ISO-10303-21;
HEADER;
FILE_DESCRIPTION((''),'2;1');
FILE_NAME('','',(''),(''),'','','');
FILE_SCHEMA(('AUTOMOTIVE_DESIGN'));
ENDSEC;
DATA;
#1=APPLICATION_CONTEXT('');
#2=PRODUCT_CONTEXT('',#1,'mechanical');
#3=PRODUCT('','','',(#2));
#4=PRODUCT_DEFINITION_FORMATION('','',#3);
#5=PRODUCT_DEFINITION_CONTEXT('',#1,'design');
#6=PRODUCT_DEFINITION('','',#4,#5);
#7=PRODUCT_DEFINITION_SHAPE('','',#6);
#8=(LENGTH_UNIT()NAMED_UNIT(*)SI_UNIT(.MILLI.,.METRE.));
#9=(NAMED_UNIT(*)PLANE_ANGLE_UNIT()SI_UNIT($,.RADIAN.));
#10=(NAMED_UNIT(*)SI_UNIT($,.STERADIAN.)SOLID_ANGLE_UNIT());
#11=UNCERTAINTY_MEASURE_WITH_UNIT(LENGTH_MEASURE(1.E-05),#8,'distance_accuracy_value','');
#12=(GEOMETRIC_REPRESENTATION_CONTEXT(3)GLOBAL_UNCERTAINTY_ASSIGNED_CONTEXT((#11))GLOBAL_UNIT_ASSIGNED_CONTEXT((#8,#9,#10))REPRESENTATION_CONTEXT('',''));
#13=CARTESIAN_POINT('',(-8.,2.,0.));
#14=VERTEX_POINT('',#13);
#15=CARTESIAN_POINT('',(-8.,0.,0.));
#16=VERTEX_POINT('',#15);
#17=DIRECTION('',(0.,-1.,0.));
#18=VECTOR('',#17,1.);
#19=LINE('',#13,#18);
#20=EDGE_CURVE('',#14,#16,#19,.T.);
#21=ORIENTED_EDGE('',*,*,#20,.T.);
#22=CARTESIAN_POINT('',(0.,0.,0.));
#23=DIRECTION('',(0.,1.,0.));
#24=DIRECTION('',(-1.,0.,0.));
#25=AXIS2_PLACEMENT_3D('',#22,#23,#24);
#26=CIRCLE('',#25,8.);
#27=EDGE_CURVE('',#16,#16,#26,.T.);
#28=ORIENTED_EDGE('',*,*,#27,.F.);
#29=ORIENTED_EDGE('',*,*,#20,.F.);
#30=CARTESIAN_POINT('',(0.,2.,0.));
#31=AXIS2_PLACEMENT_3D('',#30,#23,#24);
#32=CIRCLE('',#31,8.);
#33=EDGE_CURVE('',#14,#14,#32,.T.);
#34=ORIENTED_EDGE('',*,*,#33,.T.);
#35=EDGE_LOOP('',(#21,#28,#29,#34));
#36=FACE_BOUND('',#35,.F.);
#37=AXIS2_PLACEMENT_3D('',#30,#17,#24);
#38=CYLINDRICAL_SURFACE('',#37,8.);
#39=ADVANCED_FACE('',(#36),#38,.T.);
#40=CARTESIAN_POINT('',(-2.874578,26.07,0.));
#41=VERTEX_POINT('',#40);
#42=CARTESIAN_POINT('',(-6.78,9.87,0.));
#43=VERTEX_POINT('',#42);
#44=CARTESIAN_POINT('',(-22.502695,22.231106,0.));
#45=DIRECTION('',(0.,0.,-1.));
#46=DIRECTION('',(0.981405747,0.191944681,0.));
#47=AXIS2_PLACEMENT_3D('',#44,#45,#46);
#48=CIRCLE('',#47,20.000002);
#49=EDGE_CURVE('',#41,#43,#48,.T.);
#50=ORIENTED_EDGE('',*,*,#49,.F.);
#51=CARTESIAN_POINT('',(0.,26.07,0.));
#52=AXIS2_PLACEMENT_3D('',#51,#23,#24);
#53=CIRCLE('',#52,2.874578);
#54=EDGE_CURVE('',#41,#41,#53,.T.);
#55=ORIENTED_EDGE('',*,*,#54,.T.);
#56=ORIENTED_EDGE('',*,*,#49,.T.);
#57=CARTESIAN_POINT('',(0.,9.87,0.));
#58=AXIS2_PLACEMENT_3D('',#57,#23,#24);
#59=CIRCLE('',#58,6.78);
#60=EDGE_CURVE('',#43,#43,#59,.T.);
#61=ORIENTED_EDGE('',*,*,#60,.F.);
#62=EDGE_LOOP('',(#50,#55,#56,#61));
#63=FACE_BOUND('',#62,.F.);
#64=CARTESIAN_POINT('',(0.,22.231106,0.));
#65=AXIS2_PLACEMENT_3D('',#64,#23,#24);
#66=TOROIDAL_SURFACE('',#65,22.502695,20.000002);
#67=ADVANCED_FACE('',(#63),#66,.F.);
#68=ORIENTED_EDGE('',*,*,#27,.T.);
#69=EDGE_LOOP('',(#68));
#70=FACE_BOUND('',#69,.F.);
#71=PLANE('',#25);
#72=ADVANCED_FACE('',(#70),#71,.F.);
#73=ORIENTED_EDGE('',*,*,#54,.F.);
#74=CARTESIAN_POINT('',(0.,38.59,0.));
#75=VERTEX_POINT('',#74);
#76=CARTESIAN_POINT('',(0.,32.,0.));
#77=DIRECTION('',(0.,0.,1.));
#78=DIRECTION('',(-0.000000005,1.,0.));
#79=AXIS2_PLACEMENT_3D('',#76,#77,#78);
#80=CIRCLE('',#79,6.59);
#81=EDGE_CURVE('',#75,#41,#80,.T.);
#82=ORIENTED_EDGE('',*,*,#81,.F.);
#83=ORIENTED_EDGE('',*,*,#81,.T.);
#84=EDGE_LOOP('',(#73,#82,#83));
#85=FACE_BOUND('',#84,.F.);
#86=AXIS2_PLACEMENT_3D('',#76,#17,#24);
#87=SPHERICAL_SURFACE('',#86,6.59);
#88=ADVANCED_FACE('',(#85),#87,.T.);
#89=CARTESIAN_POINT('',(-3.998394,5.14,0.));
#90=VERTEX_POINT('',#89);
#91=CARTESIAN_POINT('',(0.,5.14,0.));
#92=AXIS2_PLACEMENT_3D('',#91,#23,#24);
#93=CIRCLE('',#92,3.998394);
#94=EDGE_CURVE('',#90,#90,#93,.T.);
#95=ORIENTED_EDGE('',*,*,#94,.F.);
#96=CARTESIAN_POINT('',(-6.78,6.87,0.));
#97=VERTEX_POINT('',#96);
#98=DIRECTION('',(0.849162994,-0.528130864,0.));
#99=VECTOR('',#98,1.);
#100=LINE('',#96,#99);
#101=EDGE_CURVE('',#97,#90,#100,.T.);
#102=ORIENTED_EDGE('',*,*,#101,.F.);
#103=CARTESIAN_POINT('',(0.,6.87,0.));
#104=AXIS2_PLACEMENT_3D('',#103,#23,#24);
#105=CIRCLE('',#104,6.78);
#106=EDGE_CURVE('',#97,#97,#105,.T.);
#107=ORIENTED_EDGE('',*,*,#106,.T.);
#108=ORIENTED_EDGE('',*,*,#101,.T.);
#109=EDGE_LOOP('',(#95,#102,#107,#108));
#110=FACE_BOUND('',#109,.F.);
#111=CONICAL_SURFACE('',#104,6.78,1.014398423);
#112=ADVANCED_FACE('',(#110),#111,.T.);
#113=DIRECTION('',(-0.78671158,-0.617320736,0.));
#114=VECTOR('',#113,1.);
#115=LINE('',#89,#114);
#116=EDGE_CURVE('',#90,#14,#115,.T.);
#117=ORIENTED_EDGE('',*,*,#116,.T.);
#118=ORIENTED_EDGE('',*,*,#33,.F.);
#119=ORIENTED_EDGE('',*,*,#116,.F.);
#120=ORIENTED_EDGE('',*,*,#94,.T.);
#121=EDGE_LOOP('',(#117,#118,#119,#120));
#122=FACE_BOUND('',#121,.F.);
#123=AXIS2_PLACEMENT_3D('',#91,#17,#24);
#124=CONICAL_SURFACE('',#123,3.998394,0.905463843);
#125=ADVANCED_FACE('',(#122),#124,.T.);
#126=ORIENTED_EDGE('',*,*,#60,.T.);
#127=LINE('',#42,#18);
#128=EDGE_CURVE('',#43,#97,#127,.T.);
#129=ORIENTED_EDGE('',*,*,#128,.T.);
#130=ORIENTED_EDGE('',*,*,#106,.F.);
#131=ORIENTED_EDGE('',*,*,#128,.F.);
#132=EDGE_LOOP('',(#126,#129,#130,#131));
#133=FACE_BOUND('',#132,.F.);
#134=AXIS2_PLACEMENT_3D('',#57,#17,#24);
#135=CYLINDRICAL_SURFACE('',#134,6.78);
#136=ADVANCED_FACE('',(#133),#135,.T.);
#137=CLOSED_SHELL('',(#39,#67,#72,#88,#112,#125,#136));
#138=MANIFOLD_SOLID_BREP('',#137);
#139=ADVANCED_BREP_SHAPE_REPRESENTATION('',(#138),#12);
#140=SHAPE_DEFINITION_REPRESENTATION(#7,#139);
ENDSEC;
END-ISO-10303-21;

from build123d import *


with BuildPart() as f1:
    # F0 (on Top) → F1 (revolve)
    with BuildSketch(Plane.XY):
        with BuildLine():
            Line((-2.874578, 26.07), (0, 26.07))
            Line((0, 26.07), (0, 32))
            Line((0, 32), (0, 38.59))
            ThreePointArc((0, 38.59), (-6.422881, 33.474686), (-2.874578, 26.07))
        make_face()
        with BuildLine():
            Line((-8, 0), (0, 0))
            Line((0, 0), (0, 26.07))
            Line((0, 26.07), (-2.874578, 26.07))
            ThreePointArc((-2.874578, 26.07), (-3.059702, 17.543878), (-6.78, 9.87))
            Line((-6.78, 9.87), (-6.78, 6.87))
            Line((-6.78, 6.87), (-3.998394, 5.14))
            Line((-3.998394, 5.14), (-8, 2))
            Line((-8, 2), (-8, 0))
        make_face()
    revolve(axis=Axis((0, 19.295, 0), (0, 1, 0)))


solid = f1.part
